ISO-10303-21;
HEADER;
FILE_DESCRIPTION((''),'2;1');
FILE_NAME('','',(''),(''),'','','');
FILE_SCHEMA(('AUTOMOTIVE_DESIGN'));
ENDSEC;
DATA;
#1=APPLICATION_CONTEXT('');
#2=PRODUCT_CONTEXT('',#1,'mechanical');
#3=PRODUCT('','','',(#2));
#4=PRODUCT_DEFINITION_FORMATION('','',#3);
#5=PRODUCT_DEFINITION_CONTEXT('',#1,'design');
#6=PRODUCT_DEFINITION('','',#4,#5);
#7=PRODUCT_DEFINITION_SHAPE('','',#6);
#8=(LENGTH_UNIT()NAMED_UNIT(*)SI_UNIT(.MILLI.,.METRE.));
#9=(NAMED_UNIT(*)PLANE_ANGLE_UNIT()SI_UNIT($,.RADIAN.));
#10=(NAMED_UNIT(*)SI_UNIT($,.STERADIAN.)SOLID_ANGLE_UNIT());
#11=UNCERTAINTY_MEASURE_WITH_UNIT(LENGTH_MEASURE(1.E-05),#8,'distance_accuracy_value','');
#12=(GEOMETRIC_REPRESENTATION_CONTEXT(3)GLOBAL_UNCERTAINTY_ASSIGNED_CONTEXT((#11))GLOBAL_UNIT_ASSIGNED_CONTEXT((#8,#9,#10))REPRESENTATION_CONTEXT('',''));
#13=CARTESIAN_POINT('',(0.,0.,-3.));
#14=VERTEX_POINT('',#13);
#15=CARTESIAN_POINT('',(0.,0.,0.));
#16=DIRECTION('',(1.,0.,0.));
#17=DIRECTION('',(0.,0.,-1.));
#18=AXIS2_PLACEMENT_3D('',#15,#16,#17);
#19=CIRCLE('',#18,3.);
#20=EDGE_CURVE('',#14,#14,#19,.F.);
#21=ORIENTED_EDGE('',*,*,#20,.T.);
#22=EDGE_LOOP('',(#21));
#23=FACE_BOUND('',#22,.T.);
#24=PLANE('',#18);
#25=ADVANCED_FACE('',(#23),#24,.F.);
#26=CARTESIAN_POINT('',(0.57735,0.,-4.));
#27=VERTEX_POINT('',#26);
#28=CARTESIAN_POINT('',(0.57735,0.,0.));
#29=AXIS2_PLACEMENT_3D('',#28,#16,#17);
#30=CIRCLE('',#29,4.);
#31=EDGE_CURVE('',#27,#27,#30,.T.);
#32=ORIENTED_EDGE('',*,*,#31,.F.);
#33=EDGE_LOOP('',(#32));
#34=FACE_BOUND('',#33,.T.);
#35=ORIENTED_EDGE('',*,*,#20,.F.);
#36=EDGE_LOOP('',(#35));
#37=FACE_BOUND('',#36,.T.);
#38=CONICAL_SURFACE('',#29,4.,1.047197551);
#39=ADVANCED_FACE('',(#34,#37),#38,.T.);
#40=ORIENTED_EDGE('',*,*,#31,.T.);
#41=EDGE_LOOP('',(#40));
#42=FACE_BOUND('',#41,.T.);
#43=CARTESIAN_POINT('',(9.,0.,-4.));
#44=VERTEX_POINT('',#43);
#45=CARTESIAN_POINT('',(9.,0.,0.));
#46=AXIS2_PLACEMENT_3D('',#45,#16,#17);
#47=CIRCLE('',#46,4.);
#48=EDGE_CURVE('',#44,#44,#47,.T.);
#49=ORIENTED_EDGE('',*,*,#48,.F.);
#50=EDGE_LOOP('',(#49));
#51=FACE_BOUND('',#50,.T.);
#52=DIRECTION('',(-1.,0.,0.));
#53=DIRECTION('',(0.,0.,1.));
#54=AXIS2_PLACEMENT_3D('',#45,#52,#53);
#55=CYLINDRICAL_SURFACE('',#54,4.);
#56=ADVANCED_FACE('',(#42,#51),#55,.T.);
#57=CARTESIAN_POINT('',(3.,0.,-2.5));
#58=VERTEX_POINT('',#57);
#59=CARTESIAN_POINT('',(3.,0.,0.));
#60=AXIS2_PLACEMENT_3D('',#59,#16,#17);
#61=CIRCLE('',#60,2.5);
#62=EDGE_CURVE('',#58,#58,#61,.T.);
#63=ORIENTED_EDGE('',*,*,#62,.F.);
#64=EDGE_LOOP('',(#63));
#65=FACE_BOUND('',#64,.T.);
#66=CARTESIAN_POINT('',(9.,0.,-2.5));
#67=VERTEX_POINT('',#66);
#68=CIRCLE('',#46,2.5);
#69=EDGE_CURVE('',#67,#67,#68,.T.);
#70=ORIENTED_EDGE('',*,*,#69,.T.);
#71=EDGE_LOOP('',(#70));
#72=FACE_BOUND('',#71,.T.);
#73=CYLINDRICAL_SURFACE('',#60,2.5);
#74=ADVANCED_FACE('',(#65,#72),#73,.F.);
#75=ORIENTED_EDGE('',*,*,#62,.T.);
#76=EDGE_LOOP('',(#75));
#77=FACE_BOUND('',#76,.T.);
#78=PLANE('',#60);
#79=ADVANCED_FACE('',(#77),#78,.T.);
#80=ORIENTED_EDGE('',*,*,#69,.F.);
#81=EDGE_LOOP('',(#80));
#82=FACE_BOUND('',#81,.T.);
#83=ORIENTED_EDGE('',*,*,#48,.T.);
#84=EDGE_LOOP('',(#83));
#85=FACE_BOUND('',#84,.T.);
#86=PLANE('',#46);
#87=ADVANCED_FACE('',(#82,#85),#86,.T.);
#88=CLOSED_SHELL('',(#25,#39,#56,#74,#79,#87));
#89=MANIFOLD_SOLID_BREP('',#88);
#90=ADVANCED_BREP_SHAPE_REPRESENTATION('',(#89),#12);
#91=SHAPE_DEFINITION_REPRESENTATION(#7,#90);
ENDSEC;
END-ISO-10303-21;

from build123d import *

# Parameters (mm, degrees)
SKETCH1_R           = 4
BOSS_EXTRUDE1_DEPTH = 9
CHAMFER1_SIZE       = 1
CHAMFER1_SIZE2      = 0.577350269
SKETCH2_R           = 2.5
CUT_EXTRUDE1_DEPTH  = 6


with BuildPart() as part:
    # Sketch1 → Boss-Extrude1 (new body)
    with BuildSketch(Plane(origin=(0, 0, 0), x_dir=(0, 0, -1), z_dir=(1, 0, 0))):
        Circle(SKETCH1_R)
    extrude(amount=BOSS_EXTRUDE1_DEPTH)

    # Chamfer1
    chamfer1_edges = [part.edges().sort_by_distance(p)[0] for p in [
        (0, 0, 4),
    ]]
    chamfer1_side = [part.faces().sort_by_distance(p)[0] for p in [
        (0, 0, 0),
    ]]
    chamfer(chamfer1_edges, length=CHAMFER1_SIZE, length2=CHAMFER1_SIZE2, reference=chamfer1_side[0])

    # Sketch2 → Cut-Extrude1 (cut)
    with BuildSketch(Plane(origin=(9, 0, 0), x_dir=(0, 0, -1), z_dir=(1, 0, 0))):
        Circle(SKETCH2_R)
    extrude(amount=-CUT_EXTRUDE1_DEPTH, mode=Mode.SUBTRACT)


solid = part.part
